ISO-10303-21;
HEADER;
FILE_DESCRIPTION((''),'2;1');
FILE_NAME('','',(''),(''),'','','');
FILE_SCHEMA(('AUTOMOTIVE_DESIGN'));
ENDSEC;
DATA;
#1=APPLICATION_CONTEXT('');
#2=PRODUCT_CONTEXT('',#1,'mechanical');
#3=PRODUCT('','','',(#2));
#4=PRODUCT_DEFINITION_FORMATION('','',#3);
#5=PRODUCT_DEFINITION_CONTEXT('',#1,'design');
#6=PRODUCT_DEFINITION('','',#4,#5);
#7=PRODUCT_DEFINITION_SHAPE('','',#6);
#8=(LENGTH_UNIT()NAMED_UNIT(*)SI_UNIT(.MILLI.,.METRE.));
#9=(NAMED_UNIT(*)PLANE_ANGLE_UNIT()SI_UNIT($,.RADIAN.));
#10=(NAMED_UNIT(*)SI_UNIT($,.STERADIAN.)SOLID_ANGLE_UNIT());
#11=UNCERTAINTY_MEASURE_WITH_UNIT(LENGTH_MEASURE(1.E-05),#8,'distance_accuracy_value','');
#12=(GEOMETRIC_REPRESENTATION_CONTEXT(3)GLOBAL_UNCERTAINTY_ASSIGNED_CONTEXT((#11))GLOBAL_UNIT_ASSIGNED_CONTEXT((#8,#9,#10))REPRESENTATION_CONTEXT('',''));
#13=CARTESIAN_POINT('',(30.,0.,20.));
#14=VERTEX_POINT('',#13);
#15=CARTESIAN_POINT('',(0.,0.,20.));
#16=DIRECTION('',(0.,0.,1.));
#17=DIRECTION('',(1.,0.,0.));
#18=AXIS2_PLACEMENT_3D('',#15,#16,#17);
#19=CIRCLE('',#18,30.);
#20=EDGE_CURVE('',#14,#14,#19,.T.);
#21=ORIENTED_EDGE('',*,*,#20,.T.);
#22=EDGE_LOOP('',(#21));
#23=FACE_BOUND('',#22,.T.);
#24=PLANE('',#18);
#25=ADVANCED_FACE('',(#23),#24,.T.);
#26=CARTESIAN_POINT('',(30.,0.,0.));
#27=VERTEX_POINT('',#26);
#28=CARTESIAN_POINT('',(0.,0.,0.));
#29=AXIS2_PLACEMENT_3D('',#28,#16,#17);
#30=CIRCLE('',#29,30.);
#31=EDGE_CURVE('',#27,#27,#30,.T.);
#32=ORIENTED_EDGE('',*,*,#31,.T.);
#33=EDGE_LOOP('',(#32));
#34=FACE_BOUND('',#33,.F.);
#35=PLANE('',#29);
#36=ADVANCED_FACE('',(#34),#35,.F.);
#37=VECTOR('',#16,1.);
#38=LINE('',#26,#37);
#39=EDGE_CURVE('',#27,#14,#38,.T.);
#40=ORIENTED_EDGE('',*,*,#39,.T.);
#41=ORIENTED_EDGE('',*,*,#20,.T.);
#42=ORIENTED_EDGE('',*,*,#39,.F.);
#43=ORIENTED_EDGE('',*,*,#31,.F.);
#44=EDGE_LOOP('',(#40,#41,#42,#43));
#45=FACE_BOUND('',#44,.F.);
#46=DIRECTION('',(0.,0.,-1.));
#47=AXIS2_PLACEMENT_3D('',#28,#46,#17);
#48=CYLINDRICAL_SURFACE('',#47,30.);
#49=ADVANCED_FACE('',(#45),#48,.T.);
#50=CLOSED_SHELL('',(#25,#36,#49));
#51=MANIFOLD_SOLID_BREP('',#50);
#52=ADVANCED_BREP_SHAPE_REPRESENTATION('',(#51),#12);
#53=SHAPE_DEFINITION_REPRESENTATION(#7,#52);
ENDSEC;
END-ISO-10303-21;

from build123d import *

# Parameters (mm, degrees)
SKETCH_R  = 30
PAD_DEPTH = 20


with BuildPart() as part:
    # Sketch → Pad (new body)
    with BuildSketch(Plane.XY):
        Circle(SKETCH_R)
    extrude(amount=PAD_DEPTH)


solid = part.part
